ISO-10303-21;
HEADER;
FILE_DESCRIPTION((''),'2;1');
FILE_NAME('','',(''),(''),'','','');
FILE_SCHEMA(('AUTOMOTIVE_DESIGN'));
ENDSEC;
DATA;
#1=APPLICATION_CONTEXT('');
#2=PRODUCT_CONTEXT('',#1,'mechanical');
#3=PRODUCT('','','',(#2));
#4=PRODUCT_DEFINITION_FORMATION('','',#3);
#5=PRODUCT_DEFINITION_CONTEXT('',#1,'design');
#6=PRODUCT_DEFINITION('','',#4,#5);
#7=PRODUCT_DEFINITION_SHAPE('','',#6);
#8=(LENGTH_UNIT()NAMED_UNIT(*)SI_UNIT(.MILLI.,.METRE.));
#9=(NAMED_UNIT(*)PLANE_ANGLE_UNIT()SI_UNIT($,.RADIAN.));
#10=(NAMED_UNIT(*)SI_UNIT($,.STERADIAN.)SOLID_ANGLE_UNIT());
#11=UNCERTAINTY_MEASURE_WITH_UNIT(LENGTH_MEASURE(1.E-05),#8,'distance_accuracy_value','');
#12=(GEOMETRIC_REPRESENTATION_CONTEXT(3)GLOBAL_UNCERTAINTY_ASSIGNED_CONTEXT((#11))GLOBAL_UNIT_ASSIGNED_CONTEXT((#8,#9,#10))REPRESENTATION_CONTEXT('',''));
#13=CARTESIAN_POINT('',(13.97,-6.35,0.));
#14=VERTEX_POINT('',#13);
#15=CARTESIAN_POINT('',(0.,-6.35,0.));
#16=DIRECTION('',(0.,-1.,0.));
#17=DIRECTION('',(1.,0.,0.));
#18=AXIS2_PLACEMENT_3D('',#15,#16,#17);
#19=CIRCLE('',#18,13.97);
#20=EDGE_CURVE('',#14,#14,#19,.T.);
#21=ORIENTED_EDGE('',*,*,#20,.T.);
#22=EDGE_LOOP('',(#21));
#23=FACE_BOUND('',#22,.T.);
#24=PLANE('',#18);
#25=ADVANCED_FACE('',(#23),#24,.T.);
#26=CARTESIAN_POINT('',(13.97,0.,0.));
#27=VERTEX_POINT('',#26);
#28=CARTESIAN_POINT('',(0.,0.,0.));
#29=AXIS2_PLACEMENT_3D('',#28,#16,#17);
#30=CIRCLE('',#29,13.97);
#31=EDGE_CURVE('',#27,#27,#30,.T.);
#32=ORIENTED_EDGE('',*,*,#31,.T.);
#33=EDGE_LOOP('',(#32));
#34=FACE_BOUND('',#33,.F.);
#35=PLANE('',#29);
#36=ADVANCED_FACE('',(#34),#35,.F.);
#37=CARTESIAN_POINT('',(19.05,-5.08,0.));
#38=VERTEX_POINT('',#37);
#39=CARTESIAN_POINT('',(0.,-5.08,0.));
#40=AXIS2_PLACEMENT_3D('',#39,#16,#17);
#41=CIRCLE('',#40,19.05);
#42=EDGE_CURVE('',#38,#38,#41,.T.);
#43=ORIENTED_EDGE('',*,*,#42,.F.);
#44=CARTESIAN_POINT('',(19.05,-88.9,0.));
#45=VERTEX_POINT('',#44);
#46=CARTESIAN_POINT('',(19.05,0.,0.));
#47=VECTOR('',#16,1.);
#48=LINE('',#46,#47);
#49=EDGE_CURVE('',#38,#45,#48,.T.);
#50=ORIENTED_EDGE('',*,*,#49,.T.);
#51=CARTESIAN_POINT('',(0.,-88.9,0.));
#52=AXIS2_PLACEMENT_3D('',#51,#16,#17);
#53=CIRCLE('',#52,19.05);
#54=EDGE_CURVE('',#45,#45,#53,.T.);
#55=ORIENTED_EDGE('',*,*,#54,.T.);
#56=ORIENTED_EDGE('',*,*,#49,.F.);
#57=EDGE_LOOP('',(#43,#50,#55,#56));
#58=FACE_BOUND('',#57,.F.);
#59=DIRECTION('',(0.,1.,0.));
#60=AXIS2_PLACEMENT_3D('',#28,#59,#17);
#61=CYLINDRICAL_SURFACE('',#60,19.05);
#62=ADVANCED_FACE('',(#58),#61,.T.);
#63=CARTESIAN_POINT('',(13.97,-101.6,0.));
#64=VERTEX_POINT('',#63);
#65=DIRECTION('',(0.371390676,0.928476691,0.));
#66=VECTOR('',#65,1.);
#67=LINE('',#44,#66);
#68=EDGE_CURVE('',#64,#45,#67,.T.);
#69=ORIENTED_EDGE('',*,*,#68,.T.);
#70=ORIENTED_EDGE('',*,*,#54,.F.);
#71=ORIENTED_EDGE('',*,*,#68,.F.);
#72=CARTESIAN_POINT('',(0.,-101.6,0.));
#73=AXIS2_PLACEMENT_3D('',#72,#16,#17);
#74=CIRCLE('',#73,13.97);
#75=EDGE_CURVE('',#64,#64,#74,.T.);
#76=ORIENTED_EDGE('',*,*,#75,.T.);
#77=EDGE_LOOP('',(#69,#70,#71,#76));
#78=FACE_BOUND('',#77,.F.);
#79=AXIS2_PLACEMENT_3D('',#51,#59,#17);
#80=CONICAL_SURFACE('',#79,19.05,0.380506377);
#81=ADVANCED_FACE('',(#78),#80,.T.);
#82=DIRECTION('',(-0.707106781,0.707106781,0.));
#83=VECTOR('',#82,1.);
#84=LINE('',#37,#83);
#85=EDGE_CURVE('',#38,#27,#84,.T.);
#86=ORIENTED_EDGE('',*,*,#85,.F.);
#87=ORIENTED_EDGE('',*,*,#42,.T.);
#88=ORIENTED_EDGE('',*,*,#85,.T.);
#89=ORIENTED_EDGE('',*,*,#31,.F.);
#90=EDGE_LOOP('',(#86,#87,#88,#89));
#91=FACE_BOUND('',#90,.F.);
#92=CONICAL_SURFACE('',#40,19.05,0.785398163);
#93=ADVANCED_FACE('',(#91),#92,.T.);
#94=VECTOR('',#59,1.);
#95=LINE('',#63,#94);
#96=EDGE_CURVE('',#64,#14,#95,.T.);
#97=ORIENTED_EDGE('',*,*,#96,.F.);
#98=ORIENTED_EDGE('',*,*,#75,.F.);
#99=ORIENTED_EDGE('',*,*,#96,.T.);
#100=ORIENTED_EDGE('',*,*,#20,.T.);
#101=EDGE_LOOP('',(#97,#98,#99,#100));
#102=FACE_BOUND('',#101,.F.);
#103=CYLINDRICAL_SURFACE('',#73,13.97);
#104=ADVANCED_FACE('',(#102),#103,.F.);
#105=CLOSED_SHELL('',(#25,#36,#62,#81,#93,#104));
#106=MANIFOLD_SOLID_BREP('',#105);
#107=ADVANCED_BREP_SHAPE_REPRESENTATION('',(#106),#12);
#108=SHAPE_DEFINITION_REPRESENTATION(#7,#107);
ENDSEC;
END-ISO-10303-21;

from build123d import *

# Parameters (mm, degrees)
F0_R     = 19.05
F0_R_2   = 12.7
F1_DEPTH = 101.6
F2_SIZE2 = 12.7
F2_SIZE  = 5.08
F3_DEPTH = 95.25
F4_SIZE  = 5.08


with BuildPart() as f1:
    # F0 (on Front) → F1 (new body)
    with BuildSketch(Plane.XZ):
        Circle(F0_R)
        Circle(F0_R_2, mode=Mode.SUBTRACT)
        Circle(F0_R_2)
    extrude(amount=F1_DEPTH)

    # F2
    f2_edges = [f1.edges().sort_by_distance(p)[0] for p in [
        (-19.05, -101.6, 0),
    ]]
    f2_side = f1.faces().sort_by_distance((0, -101.6, 0))[0]
    chamfer(f2_edges, length=F2_SIZE, length2=F2_SIZE2, reference=f2_side)

    # F3 (cut): a face of the model
    f3_faces = [f1.faces().sort_by_distance(p)[0] for p in [
        (0, -101.6, 0),
    ]]
    extrude(f3_faces, amount=-F3_DEPTH, mode=Mode.SUBTRACT)

    # F4
    f4_edges = [f1.edges().sort_by_distance(p)[0] for p in [
        (-19.05, 0, 0),
    ]]
    chamfer(f4_edges, length=F4_SIZE)


solid = f1.part
